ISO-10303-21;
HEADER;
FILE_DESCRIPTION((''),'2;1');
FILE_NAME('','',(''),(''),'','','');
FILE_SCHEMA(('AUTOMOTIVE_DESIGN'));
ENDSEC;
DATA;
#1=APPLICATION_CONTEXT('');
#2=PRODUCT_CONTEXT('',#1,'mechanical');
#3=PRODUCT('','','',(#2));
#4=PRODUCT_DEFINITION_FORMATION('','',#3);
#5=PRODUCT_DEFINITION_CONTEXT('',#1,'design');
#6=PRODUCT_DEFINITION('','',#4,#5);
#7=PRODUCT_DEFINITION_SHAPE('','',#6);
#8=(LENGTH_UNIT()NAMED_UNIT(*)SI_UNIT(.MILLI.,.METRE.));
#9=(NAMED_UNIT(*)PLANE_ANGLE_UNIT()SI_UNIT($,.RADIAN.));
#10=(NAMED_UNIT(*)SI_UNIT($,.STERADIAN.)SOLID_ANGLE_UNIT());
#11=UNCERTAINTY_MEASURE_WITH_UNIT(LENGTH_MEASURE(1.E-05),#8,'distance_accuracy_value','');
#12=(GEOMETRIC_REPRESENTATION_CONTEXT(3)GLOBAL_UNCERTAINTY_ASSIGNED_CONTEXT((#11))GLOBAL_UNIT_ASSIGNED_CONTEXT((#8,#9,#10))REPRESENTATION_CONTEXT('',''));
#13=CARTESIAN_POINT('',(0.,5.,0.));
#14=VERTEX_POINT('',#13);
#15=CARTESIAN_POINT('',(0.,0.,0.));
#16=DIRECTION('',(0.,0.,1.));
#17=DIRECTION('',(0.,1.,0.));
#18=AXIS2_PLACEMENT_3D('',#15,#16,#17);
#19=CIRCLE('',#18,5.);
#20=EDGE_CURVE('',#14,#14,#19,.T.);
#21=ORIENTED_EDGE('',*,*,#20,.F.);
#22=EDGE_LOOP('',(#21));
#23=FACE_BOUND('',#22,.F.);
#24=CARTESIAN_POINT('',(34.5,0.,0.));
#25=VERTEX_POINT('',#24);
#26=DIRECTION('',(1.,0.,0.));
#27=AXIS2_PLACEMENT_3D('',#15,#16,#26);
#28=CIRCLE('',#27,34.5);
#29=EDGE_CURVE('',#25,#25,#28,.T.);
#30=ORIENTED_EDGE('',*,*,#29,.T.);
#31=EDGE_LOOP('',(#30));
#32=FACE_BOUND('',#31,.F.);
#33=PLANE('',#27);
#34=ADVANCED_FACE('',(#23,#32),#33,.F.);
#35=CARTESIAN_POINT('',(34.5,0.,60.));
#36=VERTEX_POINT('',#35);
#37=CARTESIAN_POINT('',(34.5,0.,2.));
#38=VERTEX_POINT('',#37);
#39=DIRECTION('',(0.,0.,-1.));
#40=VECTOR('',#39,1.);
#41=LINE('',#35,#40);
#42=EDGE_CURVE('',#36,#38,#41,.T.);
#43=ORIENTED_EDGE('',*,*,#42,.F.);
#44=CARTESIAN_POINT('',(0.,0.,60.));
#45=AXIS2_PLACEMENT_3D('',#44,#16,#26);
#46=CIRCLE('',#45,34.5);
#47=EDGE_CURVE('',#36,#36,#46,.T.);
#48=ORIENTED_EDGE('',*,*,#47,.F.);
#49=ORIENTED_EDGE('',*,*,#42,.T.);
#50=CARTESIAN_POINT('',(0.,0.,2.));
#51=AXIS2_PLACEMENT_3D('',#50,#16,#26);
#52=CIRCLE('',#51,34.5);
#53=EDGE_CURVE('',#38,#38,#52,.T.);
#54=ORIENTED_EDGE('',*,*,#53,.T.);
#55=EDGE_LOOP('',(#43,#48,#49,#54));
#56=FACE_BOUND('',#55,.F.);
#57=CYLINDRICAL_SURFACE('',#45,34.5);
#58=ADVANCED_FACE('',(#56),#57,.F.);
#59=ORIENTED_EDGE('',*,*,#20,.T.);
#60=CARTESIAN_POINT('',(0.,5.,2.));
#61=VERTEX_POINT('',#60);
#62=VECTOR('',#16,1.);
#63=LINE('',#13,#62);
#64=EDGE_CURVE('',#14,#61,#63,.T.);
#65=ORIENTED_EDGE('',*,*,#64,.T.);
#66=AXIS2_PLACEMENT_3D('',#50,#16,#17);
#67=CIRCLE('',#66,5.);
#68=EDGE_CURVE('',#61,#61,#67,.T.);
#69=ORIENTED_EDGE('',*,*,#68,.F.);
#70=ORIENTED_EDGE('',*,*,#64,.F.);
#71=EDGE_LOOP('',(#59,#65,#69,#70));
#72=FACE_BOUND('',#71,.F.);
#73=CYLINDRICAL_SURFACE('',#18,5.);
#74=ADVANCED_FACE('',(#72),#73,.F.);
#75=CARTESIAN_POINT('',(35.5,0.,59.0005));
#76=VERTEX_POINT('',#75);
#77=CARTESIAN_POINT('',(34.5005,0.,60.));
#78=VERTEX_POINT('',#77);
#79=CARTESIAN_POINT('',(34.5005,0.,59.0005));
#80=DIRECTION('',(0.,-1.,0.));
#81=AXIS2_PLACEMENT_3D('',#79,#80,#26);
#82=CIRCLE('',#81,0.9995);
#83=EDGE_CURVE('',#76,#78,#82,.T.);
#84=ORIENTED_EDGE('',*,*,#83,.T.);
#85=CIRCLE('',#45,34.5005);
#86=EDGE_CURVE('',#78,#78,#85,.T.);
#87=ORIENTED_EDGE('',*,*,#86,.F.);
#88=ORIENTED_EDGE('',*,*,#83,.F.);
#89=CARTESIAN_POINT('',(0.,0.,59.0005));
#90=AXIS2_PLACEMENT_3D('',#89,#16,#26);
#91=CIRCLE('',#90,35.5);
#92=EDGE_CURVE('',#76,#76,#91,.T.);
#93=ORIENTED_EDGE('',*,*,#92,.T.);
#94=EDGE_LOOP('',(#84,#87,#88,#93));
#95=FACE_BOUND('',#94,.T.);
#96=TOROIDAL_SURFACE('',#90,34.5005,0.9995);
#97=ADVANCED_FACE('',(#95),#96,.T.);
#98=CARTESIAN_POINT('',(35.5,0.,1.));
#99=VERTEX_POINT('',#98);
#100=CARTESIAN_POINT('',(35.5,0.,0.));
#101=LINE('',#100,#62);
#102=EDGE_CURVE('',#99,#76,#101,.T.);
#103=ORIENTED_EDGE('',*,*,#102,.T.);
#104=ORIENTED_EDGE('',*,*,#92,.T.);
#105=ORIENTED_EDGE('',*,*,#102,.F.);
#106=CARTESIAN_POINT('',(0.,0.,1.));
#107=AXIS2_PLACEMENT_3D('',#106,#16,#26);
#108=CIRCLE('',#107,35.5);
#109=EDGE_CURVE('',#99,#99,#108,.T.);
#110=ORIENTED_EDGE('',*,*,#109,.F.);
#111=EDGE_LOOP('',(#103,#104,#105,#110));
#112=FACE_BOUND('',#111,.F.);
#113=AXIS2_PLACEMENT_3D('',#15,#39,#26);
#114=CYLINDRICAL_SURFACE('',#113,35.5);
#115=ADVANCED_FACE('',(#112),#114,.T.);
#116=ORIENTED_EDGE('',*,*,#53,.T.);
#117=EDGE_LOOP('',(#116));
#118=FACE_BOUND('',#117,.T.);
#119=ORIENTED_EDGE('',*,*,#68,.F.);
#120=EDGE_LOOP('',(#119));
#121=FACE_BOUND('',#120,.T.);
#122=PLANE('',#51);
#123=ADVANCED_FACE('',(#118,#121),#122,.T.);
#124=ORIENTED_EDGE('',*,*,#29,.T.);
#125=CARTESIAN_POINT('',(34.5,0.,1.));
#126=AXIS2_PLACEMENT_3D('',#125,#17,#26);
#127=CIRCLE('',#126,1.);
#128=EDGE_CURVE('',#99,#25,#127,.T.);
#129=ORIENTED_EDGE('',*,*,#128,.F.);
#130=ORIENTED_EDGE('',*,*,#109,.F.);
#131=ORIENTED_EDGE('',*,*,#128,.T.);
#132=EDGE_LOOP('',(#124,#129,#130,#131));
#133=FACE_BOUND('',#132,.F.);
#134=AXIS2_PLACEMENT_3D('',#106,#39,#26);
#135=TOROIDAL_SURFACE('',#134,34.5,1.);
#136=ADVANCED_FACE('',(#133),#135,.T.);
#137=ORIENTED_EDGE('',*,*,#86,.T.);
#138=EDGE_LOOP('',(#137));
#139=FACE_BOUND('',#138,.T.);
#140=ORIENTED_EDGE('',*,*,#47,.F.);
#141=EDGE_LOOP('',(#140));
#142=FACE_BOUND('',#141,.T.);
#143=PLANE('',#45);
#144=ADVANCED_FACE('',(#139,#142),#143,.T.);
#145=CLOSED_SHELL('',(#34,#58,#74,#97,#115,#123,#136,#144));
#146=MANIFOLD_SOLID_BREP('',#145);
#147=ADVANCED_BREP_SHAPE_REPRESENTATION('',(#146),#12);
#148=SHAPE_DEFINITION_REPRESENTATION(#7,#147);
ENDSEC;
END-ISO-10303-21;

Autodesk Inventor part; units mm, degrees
ref_plane "YZ Plane" through (0, 0, 0) normal (1, 0, 0) x (0, 1, 0)
ref_plane "XZ Plane" through (0, 0, 0) normal (0, 1, 0) x (-1, 0, 0)
ref_plane "XY Plane" through (0, 0, 0) normal (0, 0, 1) x (1, 0, 0)
sketch "Sketch7" plane through (0, 0, 0) normal (0, 0, 1) x (1, 0, 0)
  circle A0 centre (0, 0) radius 35.5
  dimension "d32" = 71
extrude "Extrusion3" add sketch "Sketch7" along normal blind 60
sketch "Sketch9" plane through (0, 0, 60) normal (0, 0, 1) x (1, 0, 0)
  circle A0 centre (0, 0) radius 34.5
  dimension "d35" = 69
extrude "Extrusion4" cut sketch "Sketch9" against normal blind 58
fillet "Fillet3" radius 1 1 edges at (-35.5, 0, 0)
fillet "Fillet4" radius 1 1 edges at (-35.5, 0, 60)
sketch "Sketch10" plane through (0, 0, 0) normal (0, 0, -1) x (-1, 0, 0)
  circle A0 centre (0, 0) radius 5
  dimension "d40" = 10
hole "Hole4" at (0, 0, 0) direction (0, 0, 1) diameter 10 end through all
properties part number "expo7" material "Glass, Cast, Clear"
